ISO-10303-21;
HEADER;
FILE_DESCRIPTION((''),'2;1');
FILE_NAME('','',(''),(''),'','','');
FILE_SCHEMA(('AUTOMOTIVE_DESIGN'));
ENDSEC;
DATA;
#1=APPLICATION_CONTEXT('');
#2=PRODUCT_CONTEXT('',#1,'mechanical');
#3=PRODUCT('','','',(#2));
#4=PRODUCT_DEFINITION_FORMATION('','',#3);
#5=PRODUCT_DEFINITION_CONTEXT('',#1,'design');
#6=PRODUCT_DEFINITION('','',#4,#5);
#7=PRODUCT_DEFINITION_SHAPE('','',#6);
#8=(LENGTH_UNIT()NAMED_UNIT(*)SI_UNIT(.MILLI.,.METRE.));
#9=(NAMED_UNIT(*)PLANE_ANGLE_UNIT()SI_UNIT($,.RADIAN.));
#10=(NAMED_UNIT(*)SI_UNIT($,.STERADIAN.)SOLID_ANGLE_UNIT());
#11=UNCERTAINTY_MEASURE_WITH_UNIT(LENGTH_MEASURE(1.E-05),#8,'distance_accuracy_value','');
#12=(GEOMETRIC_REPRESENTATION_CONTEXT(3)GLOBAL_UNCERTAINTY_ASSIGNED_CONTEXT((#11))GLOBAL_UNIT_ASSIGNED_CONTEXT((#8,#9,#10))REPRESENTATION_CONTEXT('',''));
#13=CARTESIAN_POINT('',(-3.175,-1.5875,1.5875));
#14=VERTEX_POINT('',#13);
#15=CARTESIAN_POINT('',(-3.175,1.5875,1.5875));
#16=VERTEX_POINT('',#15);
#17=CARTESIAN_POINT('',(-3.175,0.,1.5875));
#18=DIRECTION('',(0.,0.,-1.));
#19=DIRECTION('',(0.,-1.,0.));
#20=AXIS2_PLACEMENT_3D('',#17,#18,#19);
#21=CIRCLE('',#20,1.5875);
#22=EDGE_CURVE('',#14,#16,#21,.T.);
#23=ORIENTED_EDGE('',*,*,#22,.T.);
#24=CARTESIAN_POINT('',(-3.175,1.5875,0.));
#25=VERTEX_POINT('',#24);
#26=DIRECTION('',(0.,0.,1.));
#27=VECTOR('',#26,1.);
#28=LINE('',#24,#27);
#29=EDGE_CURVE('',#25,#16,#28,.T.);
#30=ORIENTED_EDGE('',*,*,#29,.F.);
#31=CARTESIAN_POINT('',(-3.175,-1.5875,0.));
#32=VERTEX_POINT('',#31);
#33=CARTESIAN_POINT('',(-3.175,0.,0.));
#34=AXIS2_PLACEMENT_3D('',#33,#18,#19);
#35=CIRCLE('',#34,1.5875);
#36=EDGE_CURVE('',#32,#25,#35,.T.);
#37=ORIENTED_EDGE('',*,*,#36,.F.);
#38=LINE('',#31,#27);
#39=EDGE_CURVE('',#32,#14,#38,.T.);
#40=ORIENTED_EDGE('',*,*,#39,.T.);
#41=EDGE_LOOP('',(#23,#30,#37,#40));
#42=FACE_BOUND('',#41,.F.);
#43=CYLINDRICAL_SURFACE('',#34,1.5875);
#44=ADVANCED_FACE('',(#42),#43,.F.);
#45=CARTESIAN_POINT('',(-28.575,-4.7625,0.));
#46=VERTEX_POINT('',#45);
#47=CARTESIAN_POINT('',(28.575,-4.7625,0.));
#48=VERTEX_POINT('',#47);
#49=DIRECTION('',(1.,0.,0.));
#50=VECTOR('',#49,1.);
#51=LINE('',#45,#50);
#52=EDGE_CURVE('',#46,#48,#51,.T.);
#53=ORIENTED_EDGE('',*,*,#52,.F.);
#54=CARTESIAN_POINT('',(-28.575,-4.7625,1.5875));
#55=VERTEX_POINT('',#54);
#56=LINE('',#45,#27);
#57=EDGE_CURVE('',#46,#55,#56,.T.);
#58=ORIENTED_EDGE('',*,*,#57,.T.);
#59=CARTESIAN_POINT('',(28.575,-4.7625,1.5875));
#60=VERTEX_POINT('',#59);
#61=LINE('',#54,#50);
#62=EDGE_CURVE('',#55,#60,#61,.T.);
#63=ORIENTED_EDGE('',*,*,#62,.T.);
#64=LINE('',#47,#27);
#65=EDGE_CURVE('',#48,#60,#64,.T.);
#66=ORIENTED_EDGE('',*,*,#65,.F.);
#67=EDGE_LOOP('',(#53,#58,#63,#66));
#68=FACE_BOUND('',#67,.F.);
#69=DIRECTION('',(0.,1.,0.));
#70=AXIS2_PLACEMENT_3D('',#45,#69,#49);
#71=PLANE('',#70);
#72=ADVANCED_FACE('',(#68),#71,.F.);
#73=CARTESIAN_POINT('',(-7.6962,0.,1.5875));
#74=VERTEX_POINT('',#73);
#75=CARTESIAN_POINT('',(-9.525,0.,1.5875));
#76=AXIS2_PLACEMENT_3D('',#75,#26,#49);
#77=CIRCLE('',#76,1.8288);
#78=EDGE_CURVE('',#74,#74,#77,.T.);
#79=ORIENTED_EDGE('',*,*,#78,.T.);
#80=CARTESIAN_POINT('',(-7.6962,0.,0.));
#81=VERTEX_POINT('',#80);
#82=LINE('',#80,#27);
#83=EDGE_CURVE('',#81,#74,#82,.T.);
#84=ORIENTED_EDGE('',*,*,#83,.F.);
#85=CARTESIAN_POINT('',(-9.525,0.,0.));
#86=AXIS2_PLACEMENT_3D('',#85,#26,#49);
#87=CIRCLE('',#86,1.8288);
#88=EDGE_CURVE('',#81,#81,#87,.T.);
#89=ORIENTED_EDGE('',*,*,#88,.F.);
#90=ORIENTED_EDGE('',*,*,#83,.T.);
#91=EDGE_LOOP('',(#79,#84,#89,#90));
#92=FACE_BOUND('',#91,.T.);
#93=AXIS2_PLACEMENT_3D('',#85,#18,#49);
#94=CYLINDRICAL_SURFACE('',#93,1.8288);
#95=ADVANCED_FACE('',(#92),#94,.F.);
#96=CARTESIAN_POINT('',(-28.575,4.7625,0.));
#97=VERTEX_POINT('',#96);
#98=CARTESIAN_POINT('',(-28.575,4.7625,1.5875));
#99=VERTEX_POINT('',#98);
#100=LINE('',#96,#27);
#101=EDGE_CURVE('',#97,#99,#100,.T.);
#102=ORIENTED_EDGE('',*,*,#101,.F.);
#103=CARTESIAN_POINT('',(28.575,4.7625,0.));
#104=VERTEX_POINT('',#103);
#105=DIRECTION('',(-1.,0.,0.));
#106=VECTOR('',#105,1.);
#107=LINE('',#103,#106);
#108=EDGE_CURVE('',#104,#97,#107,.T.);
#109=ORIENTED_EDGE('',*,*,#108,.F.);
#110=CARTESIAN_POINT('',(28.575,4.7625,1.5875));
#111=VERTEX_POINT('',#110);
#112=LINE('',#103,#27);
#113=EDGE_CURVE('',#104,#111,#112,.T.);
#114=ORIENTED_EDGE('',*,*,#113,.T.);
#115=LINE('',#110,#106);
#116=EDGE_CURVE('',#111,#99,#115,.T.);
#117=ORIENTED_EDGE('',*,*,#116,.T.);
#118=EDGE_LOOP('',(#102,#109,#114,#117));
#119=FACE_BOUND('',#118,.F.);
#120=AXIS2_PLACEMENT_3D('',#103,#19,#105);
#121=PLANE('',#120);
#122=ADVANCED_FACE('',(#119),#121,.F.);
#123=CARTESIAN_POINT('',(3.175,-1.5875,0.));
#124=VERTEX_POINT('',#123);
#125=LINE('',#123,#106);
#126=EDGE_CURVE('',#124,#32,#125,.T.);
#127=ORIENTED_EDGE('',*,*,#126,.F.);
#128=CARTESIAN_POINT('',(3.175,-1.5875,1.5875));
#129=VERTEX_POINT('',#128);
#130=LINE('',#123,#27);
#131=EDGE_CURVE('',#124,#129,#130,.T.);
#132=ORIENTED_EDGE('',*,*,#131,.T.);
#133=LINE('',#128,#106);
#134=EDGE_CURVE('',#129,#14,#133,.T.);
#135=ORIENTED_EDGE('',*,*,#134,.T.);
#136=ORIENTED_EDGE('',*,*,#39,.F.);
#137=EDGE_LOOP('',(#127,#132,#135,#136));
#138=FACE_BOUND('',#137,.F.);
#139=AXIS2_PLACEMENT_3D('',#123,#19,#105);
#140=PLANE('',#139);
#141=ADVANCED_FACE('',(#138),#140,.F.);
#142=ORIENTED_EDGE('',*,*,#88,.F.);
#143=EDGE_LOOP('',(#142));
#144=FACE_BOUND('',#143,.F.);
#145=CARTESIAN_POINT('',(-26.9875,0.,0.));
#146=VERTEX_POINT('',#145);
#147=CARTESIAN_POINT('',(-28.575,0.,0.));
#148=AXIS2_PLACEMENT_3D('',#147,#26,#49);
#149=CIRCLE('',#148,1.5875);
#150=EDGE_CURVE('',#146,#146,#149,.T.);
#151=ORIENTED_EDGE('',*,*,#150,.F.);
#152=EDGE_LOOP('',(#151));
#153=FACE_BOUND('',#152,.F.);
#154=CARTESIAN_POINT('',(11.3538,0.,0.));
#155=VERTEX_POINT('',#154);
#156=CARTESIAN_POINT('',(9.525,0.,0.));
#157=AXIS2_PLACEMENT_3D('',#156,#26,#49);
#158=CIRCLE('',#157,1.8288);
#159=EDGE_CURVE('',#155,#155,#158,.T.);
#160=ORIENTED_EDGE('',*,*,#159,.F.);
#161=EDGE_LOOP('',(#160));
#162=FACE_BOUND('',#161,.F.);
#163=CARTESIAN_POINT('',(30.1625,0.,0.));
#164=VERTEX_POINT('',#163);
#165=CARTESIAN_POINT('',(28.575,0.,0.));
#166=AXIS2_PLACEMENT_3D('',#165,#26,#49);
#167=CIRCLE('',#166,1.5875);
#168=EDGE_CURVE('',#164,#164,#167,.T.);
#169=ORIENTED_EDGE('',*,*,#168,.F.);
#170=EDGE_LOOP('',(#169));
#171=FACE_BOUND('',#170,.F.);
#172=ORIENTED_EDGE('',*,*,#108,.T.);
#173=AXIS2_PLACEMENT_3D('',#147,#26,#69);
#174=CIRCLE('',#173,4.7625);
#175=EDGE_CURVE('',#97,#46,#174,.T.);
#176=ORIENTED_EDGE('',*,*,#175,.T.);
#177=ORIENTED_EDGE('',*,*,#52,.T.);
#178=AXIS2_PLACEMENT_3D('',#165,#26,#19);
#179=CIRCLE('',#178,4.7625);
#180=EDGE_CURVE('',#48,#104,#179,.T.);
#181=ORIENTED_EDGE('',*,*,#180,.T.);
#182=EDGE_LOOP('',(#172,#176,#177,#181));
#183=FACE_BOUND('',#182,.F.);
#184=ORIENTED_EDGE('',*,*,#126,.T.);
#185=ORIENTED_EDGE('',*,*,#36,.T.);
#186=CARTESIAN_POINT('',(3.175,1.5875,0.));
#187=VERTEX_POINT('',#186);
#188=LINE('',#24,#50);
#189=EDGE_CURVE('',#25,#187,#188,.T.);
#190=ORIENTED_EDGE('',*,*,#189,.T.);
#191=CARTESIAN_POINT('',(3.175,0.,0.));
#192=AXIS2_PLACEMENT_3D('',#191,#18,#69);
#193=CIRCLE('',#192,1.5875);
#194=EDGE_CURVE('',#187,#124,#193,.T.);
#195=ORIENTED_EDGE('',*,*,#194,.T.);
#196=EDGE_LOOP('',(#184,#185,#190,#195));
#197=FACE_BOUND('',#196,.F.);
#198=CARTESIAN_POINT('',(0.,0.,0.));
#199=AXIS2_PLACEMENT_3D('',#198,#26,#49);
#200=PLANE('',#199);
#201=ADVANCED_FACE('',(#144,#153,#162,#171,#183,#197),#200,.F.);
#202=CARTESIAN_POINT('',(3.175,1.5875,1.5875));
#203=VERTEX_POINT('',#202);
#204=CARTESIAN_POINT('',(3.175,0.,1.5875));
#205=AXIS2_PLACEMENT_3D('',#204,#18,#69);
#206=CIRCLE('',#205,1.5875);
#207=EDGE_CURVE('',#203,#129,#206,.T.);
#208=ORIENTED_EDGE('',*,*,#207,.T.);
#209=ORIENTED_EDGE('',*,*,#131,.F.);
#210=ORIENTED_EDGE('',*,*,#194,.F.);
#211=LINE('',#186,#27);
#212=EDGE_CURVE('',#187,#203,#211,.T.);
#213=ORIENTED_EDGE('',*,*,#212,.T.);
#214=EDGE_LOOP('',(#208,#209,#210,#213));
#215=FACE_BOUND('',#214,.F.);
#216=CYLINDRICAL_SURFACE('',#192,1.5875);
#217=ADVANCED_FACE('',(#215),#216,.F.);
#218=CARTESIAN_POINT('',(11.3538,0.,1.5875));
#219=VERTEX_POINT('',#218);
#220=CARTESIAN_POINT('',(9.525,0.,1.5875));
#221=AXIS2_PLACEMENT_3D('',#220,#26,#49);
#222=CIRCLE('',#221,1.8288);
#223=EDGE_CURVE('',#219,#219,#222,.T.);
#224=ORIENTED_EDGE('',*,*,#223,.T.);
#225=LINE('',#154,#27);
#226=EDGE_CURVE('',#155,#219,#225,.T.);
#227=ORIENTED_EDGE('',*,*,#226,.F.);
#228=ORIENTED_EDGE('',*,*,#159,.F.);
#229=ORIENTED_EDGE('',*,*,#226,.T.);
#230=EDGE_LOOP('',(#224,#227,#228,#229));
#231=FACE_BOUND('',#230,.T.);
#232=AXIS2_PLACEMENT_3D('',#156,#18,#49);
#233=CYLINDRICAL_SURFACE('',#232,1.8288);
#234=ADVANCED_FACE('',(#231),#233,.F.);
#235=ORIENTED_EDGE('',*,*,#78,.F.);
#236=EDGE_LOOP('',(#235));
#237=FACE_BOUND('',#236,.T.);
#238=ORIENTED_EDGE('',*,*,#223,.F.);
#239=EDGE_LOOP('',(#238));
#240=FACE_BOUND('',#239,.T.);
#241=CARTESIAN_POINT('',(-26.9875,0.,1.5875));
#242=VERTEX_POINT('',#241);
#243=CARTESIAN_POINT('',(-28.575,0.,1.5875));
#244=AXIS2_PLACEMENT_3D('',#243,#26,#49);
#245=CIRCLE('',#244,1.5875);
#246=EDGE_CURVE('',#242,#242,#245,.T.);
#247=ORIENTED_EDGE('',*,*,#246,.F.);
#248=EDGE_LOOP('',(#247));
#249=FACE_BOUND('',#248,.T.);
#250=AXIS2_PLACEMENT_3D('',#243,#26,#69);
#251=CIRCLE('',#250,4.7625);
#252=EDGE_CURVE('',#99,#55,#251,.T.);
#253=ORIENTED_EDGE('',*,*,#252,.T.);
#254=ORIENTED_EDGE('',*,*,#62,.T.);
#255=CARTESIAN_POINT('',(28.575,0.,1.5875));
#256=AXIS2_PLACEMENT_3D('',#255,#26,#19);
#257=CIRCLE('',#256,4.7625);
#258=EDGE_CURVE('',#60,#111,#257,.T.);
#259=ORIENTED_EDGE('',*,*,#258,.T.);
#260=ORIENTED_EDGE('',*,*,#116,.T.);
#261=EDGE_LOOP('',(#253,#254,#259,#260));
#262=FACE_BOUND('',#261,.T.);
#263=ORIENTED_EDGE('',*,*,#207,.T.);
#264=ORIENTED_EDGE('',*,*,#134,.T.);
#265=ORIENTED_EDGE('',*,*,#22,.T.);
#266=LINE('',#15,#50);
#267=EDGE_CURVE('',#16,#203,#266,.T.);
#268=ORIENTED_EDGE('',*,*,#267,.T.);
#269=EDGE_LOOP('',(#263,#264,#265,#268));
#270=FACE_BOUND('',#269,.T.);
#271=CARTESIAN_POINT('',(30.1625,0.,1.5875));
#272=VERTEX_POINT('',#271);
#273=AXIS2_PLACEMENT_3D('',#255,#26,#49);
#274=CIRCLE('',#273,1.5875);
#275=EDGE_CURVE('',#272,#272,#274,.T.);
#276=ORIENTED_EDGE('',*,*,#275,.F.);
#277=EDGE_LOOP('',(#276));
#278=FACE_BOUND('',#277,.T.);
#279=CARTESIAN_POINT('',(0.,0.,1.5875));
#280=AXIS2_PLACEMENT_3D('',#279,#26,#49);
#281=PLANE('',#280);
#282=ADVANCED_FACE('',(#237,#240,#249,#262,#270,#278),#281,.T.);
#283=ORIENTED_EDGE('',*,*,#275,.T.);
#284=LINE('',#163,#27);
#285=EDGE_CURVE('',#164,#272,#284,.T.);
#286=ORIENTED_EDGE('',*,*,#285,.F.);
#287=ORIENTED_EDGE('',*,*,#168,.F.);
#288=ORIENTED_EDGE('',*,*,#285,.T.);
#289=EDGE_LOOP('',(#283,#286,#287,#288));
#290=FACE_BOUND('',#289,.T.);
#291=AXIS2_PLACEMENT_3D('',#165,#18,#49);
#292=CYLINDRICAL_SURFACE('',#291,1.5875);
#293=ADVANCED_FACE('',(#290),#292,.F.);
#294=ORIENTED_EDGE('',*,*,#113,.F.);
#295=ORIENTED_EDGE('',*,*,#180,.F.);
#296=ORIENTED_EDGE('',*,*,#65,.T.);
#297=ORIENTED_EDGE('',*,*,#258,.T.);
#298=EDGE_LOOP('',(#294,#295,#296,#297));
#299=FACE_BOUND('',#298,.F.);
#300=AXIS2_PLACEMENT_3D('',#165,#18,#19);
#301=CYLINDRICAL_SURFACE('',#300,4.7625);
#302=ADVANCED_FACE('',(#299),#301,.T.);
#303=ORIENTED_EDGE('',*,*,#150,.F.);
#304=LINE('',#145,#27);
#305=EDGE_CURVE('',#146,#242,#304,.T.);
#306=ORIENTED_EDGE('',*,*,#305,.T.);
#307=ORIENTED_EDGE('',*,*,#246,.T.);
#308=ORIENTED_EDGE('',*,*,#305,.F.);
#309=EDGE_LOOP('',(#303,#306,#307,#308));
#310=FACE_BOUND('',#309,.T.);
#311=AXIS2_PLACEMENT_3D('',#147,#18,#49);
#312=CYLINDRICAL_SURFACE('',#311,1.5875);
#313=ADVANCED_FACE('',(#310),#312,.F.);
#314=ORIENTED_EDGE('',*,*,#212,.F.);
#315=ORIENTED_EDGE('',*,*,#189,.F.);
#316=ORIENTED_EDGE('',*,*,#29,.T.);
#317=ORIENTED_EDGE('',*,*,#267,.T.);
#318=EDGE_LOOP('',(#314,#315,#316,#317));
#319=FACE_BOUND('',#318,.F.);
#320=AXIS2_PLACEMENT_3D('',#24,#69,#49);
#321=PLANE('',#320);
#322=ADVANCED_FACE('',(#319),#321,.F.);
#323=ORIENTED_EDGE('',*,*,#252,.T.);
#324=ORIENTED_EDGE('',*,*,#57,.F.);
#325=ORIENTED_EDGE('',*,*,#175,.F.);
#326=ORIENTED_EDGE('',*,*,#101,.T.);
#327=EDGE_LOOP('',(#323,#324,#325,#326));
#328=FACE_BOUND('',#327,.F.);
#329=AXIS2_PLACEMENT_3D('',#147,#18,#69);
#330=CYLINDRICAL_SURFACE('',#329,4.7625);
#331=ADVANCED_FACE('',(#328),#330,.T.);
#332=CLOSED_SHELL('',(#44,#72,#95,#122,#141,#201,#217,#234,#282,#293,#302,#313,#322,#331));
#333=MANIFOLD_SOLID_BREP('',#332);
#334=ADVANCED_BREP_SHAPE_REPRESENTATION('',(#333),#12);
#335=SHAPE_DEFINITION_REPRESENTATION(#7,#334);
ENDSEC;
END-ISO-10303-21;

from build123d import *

# Parameters (mm, degrees)
F0_R     = 1.5875
F0_R_2   = 1.8288
F1_DEPTH = 1.5875


with BuildPart() as f1:
    # F0 (on Top) → F1 (new body)
    with BuildSketch(Plane.XY):
        with BuildLine():
            ThreePointArc((28.575, -4.7625), (33.3375, 0), (28.575, 4.7625))
            Line((28.575, 4.7625), (-28.575, 4.7625))
            ThreePointArc((-28.575, 4.7625), (-33.3375, 0), (-28.575, -4.7625))
            Line((-28.575, -4.7625), (28.575, -4.7625))
        make_face()
        with Locations((-28.575, 0)):
            Circle(F0_R, mode=Mode.SUBTRACT)
        with Locations((-9.525, 0)):
            Circle(F0_R_2, mode=Mode.SUBTRACT)
        with BuildLine():
            ThreePointArc((3.175, 1.5875), (4.7625, 0), (3.175, -1.5875))
            Line((3.175, -1.5875), (-3.175, -1.5875))
            ThreePointArc((-3.175, -1.5875), (-4.7625, 0), (-3.175, 1.5875))
            Line((-3.175, 1.5875), (3.175, 1.5875))
        make_face(mode=Mode.SUBTRACT)
        with Locations((9.525, 0)):
            Circle(F0_R_2, mode=Mode.SUBTRACT)
        with Locations((28.575, 0)):
            Circle(F0_R, mode=Mode.SUBTRACT)
    extrude(amount=F1_DEPTH)


solid = f1.part
